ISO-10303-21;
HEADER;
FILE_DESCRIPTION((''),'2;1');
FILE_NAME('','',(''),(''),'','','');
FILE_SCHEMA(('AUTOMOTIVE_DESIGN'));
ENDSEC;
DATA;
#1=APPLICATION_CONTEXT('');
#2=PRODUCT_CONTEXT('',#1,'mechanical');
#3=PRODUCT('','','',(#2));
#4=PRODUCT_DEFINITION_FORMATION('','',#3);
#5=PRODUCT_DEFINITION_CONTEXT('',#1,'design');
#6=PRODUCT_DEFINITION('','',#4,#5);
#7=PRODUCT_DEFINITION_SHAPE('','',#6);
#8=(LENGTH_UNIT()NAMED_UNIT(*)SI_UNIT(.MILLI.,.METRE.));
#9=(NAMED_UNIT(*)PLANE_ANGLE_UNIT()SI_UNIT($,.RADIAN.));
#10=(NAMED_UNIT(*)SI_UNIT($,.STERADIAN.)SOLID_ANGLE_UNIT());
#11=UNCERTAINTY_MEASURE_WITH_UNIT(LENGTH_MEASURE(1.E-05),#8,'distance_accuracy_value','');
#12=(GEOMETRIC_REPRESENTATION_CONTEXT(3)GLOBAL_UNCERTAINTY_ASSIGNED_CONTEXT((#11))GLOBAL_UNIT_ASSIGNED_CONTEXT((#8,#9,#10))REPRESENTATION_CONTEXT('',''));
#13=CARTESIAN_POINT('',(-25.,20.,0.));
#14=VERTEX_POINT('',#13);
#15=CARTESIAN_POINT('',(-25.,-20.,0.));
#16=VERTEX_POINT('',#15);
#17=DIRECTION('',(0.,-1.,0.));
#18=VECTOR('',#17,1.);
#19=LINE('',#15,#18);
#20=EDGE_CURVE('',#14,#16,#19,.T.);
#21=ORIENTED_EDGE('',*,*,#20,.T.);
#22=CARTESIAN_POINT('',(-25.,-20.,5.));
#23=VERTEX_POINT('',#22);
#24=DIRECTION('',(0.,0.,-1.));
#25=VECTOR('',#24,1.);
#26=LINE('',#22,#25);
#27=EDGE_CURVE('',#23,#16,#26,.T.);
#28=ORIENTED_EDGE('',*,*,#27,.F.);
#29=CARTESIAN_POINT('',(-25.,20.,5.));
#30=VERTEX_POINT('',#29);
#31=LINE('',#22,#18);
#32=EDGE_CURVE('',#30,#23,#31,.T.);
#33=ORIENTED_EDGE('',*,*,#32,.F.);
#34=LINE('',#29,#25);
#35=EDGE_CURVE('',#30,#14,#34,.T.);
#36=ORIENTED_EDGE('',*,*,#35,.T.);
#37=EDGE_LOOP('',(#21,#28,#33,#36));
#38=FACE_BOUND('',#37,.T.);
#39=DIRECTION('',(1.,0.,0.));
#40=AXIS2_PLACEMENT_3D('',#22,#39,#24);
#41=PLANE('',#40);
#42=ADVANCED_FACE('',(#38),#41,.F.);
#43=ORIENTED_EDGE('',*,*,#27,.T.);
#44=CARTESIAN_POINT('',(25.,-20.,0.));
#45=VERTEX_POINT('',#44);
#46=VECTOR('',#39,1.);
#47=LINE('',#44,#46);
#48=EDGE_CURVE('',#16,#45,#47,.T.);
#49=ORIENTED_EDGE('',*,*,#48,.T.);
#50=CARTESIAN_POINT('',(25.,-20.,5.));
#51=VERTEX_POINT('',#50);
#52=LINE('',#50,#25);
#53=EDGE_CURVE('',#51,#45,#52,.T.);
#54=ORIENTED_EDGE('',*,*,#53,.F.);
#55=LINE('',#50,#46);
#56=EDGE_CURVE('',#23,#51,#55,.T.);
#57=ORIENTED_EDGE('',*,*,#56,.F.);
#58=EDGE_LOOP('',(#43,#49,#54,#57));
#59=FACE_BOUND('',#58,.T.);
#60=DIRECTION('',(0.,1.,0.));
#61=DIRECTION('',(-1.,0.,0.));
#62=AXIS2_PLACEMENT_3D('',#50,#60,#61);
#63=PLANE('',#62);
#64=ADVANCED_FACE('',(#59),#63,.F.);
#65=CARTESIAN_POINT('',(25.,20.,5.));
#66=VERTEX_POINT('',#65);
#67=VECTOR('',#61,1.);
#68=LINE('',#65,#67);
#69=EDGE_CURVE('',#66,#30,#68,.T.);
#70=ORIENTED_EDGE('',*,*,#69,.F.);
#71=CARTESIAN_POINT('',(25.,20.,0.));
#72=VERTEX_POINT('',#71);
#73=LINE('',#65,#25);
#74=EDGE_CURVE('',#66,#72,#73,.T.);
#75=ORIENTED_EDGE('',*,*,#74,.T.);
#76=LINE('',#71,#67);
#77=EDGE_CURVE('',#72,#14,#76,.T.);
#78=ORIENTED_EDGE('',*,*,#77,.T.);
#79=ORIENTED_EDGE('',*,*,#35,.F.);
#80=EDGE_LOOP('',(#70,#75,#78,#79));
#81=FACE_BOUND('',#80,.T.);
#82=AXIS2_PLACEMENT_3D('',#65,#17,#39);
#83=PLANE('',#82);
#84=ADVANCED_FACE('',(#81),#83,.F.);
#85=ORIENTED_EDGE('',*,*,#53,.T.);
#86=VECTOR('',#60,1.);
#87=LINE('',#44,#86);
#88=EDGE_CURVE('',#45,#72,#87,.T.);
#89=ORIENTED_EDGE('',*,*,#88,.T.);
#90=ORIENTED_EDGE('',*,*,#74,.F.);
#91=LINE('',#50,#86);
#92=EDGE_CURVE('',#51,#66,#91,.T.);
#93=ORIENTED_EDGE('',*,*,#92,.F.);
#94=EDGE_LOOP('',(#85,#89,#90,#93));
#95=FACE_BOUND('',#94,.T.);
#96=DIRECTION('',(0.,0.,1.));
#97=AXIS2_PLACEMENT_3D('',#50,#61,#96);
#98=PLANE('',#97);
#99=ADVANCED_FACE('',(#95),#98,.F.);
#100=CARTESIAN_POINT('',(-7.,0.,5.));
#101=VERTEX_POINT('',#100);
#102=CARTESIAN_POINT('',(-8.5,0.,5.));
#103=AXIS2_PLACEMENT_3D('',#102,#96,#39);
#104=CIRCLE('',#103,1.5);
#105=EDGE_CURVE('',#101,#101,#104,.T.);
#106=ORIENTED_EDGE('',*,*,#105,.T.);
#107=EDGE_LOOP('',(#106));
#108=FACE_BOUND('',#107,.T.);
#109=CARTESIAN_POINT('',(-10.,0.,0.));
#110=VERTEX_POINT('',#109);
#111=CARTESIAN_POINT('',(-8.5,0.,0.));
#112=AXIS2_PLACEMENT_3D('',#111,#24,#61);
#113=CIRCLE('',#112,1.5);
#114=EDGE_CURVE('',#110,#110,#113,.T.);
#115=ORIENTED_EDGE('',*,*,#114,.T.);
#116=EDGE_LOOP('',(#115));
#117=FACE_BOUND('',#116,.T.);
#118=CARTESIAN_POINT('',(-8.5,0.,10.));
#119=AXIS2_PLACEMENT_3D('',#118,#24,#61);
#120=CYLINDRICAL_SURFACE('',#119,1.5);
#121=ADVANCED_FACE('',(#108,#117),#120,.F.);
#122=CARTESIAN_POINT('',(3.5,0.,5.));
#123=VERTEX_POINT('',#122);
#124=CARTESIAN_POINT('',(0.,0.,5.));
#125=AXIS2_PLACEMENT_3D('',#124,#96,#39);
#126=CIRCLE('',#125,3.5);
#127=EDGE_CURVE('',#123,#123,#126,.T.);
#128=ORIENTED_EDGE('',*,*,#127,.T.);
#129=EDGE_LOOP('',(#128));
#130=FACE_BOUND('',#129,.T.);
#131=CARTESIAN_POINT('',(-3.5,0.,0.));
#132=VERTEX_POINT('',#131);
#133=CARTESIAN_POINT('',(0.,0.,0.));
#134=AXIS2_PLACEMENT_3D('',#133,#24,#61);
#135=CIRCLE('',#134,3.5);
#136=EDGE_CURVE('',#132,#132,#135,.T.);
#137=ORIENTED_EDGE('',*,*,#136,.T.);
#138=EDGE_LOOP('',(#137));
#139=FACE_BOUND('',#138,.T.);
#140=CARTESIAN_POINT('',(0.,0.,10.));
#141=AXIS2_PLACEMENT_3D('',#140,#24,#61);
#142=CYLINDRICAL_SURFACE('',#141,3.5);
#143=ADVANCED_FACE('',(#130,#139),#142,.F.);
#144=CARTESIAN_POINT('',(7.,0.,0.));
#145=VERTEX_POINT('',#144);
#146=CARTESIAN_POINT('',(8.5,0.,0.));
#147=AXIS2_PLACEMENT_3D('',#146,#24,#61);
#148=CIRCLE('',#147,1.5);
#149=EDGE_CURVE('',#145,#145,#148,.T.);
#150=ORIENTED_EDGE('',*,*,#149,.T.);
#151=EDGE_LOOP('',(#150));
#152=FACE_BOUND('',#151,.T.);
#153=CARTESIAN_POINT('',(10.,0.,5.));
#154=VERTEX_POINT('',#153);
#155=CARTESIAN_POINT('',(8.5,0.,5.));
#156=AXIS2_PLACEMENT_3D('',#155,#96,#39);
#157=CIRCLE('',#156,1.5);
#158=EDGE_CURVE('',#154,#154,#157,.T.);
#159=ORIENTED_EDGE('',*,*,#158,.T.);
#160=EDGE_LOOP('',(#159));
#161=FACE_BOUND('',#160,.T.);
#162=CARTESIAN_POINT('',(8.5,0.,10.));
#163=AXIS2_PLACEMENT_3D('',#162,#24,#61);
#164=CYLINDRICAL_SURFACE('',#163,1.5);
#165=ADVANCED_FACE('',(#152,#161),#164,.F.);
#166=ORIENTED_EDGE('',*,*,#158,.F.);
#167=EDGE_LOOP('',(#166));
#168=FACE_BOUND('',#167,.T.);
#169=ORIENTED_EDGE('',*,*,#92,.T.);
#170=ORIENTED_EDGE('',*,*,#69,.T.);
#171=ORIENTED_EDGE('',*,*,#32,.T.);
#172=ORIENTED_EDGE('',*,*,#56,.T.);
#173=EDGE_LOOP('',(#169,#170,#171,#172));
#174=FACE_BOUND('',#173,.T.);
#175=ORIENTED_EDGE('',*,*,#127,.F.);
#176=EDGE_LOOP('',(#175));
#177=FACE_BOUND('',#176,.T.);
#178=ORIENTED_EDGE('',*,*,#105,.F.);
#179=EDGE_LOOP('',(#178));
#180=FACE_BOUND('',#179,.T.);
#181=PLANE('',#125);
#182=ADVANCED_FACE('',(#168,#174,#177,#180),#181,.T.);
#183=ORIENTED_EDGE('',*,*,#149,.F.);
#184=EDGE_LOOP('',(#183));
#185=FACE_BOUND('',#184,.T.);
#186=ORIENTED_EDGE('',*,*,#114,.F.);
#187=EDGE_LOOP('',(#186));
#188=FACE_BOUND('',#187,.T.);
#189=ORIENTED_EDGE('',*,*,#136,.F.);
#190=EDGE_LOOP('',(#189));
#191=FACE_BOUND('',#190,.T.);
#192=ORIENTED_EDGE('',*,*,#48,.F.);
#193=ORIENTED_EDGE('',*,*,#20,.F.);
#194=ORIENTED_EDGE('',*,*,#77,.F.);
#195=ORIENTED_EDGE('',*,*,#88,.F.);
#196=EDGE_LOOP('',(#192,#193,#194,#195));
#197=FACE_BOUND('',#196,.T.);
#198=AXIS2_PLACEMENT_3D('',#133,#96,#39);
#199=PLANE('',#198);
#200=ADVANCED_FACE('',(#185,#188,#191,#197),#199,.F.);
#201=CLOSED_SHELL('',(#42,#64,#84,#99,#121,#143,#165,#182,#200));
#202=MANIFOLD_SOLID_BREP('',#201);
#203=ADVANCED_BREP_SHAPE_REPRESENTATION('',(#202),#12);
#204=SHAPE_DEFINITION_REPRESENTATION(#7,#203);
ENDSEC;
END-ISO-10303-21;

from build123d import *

# Parameters (mm, degrees)
ESQUISSE1_W             = 50
ESQUISSE1_H             = 40
BOSS_EXTRU_1_DEPTH      = 5
ESQUISSE2_R             = 1.5
ESQUISSE2_R_2           = 3.5
ENL_V_MAT_EXTRU_1_DEPTH = 10


with BuildPart() as part:
    # Esquisse1 → Boss.-Extru.1 (new body)
    with BuildSketch(Plane.XY):
        Rectangle(ESQUISSE1_W, ESQUISSE1_H)
    extrude(amount=BOSS_EXTRU_1_DEPTH)

    # Esquisse2 → Enlèv. mat.-Extru.1 (cut)
    with BuildSketch(Plane(origin=(0, 0, 0), x_dir=(-1, 0, 0), z_dir=(0, 0, -1))):
        with Locations((-8.5, 0)):
            Circle(ESQUISSE2_R)
        with Locations((8.5, 0)):
            Circle(ESQUISSE2_R)
        Circle(ESQUISSE2_R_2)
    extrude(amount=-ENL_V_MAT_EXTRU_1_DEPTH, mode=Mode.SUBTRACT)


solid = part.part
